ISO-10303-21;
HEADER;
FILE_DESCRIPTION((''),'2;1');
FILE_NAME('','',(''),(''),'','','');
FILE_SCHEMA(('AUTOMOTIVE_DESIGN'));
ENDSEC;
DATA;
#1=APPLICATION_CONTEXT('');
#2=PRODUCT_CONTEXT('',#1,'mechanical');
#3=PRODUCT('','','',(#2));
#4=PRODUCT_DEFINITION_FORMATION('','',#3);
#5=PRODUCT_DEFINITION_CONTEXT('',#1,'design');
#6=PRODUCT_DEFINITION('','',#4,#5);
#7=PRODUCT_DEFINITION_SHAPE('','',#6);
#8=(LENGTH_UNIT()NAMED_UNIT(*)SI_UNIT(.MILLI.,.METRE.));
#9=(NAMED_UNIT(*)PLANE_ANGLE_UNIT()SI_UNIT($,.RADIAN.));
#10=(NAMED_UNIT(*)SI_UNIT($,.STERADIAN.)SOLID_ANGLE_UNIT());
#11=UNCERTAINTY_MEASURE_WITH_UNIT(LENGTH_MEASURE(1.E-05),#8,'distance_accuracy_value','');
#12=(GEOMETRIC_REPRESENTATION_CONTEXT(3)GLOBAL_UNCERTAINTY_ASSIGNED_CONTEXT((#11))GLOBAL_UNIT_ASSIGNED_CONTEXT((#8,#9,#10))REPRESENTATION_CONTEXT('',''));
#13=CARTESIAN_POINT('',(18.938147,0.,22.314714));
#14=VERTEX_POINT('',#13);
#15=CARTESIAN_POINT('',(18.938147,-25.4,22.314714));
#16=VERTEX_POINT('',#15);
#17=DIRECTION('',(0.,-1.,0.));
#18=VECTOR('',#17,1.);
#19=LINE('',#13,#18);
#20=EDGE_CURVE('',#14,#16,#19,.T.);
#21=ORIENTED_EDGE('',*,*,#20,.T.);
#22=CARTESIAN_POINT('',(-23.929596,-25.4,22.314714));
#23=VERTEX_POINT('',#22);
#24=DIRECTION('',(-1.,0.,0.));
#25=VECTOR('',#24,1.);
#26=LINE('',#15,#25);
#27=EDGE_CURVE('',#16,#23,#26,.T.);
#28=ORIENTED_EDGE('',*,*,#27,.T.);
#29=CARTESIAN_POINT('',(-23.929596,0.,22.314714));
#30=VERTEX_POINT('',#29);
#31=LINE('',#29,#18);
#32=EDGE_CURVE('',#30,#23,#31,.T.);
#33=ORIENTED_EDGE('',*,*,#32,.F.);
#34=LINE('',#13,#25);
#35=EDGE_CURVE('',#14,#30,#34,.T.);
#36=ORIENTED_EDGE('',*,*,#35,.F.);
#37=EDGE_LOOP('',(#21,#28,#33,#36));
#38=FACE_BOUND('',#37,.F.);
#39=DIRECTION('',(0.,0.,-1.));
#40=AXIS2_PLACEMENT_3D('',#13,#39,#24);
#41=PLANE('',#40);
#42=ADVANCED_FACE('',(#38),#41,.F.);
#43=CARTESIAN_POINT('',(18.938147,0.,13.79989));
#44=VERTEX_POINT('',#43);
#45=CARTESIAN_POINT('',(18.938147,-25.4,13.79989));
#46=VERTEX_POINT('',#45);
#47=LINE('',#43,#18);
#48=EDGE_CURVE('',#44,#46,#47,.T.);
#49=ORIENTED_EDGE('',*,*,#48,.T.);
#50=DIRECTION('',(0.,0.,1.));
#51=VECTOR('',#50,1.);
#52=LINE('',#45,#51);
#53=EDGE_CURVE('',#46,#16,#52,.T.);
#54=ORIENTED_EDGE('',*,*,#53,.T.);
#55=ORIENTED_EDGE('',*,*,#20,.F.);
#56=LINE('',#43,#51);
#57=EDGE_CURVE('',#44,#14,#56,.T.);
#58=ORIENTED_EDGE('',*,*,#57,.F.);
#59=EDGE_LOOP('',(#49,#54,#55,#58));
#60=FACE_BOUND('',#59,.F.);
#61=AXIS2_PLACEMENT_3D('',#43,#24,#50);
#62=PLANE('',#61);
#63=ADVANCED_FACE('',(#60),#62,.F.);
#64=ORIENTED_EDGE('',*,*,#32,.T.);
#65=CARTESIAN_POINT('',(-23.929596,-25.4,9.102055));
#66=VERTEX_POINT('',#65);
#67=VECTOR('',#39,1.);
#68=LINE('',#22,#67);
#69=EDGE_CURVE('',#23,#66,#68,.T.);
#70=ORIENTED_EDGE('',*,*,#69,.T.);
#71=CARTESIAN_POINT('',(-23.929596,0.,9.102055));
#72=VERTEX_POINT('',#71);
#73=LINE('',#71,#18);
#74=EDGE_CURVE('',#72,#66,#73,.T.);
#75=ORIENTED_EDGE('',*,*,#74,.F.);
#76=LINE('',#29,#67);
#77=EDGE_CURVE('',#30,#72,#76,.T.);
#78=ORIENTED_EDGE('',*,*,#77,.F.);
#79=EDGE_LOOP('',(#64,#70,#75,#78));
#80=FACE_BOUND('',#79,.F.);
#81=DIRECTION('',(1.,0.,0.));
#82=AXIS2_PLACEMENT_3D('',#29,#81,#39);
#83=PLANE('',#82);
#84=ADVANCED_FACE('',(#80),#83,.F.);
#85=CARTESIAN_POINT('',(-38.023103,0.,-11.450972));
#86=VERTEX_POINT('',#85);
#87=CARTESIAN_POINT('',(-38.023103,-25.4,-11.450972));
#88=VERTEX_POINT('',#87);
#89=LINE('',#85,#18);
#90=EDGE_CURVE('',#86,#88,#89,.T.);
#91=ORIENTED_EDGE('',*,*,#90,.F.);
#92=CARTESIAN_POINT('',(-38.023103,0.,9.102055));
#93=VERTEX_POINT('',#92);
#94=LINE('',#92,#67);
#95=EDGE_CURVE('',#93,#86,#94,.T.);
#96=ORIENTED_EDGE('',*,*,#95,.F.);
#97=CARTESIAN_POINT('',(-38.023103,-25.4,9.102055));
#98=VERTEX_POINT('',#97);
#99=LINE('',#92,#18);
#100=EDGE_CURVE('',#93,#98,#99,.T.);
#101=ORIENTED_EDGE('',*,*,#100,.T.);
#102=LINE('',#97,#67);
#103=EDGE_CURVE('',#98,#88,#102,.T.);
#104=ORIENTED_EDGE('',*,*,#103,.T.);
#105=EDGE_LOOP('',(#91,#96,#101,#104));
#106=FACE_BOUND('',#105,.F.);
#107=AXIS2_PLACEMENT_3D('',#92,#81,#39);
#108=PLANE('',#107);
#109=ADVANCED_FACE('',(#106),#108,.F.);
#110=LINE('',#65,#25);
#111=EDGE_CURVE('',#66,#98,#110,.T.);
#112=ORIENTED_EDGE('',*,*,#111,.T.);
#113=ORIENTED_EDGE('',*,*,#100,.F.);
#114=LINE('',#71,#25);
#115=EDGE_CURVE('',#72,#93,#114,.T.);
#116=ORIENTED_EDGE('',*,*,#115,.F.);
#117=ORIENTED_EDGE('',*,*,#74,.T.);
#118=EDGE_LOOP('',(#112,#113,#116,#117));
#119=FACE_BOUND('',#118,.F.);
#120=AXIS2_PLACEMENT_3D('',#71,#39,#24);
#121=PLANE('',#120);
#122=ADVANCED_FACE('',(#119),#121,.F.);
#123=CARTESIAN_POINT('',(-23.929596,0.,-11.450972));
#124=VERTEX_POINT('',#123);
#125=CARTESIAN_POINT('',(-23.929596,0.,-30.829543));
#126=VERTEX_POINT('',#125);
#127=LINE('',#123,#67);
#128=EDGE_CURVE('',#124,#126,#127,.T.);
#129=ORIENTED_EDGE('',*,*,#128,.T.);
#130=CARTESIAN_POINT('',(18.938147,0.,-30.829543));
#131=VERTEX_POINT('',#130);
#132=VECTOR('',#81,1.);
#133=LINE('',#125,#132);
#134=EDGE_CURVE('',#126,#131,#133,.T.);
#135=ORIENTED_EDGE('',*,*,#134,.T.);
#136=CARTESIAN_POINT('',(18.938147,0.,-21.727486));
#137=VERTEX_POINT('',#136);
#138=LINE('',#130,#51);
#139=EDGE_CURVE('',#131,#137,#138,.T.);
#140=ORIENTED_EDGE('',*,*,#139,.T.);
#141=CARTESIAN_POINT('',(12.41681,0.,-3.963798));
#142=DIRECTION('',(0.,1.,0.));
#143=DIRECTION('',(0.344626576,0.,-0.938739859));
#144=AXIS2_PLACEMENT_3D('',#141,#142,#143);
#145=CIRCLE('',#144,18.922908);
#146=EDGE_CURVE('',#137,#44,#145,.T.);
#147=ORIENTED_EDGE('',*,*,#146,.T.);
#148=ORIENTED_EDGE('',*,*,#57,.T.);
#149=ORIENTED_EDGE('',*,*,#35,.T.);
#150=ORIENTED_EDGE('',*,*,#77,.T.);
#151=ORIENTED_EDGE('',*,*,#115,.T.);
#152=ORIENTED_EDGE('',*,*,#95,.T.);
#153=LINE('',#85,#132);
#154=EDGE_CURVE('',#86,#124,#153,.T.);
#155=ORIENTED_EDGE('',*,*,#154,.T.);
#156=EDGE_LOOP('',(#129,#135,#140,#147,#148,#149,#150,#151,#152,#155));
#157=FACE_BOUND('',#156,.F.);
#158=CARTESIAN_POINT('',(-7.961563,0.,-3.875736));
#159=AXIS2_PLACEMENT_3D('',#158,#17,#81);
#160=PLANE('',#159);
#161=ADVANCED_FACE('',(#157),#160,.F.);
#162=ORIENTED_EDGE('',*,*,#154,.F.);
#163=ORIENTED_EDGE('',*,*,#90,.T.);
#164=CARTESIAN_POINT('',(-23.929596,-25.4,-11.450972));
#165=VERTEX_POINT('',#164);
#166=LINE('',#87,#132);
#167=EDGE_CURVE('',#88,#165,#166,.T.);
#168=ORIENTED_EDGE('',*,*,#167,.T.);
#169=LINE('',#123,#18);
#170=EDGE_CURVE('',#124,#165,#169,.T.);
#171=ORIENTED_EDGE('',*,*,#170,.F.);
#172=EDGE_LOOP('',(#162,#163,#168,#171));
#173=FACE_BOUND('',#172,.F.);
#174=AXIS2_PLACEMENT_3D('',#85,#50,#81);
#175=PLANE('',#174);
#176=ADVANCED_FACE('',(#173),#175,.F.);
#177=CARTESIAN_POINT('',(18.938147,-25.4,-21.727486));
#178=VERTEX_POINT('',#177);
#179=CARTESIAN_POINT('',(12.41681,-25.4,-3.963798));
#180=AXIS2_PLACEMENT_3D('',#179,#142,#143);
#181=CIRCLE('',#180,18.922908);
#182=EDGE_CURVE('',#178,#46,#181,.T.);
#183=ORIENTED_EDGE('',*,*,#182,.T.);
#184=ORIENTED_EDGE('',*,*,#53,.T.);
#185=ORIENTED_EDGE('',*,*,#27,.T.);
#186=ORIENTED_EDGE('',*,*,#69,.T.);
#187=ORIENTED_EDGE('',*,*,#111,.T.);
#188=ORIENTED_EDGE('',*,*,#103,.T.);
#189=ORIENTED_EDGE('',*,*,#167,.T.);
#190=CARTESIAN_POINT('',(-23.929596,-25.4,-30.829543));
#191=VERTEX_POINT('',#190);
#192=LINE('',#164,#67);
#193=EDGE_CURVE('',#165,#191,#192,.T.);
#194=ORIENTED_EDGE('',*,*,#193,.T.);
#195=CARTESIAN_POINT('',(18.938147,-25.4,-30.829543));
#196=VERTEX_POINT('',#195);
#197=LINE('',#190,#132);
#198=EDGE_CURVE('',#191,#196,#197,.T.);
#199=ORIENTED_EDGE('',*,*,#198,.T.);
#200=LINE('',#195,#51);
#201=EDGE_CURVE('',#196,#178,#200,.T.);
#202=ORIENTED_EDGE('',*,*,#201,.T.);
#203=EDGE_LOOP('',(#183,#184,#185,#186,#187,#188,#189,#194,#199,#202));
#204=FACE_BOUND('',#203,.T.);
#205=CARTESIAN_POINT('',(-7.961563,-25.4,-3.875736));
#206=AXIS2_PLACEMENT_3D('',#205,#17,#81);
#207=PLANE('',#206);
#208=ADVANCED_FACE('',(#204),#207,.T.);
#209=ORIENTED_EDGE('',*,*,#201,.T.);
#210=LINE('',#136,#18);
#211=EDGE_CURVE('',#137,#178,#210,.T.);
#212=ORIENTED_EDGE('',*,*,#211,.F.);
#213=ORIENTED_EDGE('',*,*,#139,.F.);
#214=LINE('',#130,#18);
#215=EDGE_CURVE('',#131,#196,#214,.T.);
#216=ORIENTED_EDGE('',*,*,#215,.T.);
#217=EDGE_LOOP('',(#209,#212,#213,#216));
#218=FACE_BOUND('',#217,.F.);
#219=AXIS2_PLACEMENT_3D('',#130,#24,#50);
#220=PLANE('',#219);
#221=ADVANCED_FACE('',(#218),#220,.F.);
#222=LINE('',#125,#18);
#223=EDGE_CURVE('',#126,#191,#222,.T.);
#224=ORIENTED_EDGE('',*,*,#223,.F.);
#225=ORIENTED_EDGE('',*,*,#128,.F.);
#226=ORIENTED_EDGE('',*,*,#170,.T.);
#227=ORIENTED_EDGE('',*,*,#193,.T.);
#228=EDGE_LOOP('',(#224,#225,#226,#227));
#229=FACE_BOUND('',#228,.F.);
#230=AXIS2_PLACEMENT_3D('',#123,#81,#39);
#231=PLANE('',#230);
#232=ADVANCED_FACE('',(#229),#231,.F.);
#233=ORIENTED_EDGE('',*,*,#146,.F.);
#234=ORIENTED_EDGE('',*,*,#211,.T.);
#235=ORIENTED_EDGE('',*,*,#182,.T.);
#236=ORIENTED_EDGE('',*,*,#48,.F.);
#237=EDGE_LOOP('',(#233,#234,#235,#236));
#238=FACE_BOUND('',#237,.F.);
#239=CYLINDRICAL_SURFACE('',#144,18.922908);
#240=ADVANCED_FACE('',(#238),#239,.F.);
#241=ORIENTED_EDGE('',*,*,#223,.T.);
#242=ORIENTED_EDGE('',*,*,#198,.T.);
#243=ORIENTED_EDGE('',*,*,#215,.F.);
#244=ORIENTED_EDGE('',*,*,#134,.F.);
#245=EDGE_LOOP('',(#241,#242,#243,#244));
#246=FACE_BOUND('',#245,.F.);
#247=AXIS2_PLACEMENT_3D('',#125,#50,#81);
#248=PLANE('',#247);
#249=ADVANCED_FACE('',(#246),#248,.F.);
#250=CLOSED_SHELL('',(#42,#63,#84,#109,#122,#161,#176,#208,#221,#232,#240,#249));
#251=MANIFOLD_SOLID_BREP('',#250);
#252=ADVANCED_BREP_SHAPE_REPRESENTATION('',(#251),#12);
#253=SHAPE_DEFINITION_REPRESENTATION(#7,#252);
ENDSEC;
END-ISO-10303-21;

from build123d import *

# Parameters (mm, degrees)
F1_DEPTH = 25.4


with BuildPart() as f1:
    # F0 (on Front) → F1 (new body)
    with BuildSketch(Plane.XZ):
        with BuildLine():
            Line((-23.929596, -11.450972), (-23.929596, -30.829543))
            Line((-23.929596, -30.829543), (18.938147, -30.829543))
            Line((18.938147, -30.829543), (18.938147, -21.727486))
            ThreePointArc((18.938147, -21.727486), (-6.506098, -3.963798), (18.938147, 13.79989))
            Line((18.938147, 13.79989), (18.938147, 22.314714))
            Line((18.938147, 22.314714), (-23.929596, 22.314714))
            Line((-23.929596, 22.314714), (-23.929596, 9.102055))
            Line((-23.929596, 9.102055), (-38.023103, 9.102055))
            Line((-38.023103, 9.102055), (-38.023103, -11.450972))
            Line((-38.023103, -11.450972), (-23.929596, -11.450972))
        make_face()
    extrude(amount=F1_DEPTH)


solid = f1.part
